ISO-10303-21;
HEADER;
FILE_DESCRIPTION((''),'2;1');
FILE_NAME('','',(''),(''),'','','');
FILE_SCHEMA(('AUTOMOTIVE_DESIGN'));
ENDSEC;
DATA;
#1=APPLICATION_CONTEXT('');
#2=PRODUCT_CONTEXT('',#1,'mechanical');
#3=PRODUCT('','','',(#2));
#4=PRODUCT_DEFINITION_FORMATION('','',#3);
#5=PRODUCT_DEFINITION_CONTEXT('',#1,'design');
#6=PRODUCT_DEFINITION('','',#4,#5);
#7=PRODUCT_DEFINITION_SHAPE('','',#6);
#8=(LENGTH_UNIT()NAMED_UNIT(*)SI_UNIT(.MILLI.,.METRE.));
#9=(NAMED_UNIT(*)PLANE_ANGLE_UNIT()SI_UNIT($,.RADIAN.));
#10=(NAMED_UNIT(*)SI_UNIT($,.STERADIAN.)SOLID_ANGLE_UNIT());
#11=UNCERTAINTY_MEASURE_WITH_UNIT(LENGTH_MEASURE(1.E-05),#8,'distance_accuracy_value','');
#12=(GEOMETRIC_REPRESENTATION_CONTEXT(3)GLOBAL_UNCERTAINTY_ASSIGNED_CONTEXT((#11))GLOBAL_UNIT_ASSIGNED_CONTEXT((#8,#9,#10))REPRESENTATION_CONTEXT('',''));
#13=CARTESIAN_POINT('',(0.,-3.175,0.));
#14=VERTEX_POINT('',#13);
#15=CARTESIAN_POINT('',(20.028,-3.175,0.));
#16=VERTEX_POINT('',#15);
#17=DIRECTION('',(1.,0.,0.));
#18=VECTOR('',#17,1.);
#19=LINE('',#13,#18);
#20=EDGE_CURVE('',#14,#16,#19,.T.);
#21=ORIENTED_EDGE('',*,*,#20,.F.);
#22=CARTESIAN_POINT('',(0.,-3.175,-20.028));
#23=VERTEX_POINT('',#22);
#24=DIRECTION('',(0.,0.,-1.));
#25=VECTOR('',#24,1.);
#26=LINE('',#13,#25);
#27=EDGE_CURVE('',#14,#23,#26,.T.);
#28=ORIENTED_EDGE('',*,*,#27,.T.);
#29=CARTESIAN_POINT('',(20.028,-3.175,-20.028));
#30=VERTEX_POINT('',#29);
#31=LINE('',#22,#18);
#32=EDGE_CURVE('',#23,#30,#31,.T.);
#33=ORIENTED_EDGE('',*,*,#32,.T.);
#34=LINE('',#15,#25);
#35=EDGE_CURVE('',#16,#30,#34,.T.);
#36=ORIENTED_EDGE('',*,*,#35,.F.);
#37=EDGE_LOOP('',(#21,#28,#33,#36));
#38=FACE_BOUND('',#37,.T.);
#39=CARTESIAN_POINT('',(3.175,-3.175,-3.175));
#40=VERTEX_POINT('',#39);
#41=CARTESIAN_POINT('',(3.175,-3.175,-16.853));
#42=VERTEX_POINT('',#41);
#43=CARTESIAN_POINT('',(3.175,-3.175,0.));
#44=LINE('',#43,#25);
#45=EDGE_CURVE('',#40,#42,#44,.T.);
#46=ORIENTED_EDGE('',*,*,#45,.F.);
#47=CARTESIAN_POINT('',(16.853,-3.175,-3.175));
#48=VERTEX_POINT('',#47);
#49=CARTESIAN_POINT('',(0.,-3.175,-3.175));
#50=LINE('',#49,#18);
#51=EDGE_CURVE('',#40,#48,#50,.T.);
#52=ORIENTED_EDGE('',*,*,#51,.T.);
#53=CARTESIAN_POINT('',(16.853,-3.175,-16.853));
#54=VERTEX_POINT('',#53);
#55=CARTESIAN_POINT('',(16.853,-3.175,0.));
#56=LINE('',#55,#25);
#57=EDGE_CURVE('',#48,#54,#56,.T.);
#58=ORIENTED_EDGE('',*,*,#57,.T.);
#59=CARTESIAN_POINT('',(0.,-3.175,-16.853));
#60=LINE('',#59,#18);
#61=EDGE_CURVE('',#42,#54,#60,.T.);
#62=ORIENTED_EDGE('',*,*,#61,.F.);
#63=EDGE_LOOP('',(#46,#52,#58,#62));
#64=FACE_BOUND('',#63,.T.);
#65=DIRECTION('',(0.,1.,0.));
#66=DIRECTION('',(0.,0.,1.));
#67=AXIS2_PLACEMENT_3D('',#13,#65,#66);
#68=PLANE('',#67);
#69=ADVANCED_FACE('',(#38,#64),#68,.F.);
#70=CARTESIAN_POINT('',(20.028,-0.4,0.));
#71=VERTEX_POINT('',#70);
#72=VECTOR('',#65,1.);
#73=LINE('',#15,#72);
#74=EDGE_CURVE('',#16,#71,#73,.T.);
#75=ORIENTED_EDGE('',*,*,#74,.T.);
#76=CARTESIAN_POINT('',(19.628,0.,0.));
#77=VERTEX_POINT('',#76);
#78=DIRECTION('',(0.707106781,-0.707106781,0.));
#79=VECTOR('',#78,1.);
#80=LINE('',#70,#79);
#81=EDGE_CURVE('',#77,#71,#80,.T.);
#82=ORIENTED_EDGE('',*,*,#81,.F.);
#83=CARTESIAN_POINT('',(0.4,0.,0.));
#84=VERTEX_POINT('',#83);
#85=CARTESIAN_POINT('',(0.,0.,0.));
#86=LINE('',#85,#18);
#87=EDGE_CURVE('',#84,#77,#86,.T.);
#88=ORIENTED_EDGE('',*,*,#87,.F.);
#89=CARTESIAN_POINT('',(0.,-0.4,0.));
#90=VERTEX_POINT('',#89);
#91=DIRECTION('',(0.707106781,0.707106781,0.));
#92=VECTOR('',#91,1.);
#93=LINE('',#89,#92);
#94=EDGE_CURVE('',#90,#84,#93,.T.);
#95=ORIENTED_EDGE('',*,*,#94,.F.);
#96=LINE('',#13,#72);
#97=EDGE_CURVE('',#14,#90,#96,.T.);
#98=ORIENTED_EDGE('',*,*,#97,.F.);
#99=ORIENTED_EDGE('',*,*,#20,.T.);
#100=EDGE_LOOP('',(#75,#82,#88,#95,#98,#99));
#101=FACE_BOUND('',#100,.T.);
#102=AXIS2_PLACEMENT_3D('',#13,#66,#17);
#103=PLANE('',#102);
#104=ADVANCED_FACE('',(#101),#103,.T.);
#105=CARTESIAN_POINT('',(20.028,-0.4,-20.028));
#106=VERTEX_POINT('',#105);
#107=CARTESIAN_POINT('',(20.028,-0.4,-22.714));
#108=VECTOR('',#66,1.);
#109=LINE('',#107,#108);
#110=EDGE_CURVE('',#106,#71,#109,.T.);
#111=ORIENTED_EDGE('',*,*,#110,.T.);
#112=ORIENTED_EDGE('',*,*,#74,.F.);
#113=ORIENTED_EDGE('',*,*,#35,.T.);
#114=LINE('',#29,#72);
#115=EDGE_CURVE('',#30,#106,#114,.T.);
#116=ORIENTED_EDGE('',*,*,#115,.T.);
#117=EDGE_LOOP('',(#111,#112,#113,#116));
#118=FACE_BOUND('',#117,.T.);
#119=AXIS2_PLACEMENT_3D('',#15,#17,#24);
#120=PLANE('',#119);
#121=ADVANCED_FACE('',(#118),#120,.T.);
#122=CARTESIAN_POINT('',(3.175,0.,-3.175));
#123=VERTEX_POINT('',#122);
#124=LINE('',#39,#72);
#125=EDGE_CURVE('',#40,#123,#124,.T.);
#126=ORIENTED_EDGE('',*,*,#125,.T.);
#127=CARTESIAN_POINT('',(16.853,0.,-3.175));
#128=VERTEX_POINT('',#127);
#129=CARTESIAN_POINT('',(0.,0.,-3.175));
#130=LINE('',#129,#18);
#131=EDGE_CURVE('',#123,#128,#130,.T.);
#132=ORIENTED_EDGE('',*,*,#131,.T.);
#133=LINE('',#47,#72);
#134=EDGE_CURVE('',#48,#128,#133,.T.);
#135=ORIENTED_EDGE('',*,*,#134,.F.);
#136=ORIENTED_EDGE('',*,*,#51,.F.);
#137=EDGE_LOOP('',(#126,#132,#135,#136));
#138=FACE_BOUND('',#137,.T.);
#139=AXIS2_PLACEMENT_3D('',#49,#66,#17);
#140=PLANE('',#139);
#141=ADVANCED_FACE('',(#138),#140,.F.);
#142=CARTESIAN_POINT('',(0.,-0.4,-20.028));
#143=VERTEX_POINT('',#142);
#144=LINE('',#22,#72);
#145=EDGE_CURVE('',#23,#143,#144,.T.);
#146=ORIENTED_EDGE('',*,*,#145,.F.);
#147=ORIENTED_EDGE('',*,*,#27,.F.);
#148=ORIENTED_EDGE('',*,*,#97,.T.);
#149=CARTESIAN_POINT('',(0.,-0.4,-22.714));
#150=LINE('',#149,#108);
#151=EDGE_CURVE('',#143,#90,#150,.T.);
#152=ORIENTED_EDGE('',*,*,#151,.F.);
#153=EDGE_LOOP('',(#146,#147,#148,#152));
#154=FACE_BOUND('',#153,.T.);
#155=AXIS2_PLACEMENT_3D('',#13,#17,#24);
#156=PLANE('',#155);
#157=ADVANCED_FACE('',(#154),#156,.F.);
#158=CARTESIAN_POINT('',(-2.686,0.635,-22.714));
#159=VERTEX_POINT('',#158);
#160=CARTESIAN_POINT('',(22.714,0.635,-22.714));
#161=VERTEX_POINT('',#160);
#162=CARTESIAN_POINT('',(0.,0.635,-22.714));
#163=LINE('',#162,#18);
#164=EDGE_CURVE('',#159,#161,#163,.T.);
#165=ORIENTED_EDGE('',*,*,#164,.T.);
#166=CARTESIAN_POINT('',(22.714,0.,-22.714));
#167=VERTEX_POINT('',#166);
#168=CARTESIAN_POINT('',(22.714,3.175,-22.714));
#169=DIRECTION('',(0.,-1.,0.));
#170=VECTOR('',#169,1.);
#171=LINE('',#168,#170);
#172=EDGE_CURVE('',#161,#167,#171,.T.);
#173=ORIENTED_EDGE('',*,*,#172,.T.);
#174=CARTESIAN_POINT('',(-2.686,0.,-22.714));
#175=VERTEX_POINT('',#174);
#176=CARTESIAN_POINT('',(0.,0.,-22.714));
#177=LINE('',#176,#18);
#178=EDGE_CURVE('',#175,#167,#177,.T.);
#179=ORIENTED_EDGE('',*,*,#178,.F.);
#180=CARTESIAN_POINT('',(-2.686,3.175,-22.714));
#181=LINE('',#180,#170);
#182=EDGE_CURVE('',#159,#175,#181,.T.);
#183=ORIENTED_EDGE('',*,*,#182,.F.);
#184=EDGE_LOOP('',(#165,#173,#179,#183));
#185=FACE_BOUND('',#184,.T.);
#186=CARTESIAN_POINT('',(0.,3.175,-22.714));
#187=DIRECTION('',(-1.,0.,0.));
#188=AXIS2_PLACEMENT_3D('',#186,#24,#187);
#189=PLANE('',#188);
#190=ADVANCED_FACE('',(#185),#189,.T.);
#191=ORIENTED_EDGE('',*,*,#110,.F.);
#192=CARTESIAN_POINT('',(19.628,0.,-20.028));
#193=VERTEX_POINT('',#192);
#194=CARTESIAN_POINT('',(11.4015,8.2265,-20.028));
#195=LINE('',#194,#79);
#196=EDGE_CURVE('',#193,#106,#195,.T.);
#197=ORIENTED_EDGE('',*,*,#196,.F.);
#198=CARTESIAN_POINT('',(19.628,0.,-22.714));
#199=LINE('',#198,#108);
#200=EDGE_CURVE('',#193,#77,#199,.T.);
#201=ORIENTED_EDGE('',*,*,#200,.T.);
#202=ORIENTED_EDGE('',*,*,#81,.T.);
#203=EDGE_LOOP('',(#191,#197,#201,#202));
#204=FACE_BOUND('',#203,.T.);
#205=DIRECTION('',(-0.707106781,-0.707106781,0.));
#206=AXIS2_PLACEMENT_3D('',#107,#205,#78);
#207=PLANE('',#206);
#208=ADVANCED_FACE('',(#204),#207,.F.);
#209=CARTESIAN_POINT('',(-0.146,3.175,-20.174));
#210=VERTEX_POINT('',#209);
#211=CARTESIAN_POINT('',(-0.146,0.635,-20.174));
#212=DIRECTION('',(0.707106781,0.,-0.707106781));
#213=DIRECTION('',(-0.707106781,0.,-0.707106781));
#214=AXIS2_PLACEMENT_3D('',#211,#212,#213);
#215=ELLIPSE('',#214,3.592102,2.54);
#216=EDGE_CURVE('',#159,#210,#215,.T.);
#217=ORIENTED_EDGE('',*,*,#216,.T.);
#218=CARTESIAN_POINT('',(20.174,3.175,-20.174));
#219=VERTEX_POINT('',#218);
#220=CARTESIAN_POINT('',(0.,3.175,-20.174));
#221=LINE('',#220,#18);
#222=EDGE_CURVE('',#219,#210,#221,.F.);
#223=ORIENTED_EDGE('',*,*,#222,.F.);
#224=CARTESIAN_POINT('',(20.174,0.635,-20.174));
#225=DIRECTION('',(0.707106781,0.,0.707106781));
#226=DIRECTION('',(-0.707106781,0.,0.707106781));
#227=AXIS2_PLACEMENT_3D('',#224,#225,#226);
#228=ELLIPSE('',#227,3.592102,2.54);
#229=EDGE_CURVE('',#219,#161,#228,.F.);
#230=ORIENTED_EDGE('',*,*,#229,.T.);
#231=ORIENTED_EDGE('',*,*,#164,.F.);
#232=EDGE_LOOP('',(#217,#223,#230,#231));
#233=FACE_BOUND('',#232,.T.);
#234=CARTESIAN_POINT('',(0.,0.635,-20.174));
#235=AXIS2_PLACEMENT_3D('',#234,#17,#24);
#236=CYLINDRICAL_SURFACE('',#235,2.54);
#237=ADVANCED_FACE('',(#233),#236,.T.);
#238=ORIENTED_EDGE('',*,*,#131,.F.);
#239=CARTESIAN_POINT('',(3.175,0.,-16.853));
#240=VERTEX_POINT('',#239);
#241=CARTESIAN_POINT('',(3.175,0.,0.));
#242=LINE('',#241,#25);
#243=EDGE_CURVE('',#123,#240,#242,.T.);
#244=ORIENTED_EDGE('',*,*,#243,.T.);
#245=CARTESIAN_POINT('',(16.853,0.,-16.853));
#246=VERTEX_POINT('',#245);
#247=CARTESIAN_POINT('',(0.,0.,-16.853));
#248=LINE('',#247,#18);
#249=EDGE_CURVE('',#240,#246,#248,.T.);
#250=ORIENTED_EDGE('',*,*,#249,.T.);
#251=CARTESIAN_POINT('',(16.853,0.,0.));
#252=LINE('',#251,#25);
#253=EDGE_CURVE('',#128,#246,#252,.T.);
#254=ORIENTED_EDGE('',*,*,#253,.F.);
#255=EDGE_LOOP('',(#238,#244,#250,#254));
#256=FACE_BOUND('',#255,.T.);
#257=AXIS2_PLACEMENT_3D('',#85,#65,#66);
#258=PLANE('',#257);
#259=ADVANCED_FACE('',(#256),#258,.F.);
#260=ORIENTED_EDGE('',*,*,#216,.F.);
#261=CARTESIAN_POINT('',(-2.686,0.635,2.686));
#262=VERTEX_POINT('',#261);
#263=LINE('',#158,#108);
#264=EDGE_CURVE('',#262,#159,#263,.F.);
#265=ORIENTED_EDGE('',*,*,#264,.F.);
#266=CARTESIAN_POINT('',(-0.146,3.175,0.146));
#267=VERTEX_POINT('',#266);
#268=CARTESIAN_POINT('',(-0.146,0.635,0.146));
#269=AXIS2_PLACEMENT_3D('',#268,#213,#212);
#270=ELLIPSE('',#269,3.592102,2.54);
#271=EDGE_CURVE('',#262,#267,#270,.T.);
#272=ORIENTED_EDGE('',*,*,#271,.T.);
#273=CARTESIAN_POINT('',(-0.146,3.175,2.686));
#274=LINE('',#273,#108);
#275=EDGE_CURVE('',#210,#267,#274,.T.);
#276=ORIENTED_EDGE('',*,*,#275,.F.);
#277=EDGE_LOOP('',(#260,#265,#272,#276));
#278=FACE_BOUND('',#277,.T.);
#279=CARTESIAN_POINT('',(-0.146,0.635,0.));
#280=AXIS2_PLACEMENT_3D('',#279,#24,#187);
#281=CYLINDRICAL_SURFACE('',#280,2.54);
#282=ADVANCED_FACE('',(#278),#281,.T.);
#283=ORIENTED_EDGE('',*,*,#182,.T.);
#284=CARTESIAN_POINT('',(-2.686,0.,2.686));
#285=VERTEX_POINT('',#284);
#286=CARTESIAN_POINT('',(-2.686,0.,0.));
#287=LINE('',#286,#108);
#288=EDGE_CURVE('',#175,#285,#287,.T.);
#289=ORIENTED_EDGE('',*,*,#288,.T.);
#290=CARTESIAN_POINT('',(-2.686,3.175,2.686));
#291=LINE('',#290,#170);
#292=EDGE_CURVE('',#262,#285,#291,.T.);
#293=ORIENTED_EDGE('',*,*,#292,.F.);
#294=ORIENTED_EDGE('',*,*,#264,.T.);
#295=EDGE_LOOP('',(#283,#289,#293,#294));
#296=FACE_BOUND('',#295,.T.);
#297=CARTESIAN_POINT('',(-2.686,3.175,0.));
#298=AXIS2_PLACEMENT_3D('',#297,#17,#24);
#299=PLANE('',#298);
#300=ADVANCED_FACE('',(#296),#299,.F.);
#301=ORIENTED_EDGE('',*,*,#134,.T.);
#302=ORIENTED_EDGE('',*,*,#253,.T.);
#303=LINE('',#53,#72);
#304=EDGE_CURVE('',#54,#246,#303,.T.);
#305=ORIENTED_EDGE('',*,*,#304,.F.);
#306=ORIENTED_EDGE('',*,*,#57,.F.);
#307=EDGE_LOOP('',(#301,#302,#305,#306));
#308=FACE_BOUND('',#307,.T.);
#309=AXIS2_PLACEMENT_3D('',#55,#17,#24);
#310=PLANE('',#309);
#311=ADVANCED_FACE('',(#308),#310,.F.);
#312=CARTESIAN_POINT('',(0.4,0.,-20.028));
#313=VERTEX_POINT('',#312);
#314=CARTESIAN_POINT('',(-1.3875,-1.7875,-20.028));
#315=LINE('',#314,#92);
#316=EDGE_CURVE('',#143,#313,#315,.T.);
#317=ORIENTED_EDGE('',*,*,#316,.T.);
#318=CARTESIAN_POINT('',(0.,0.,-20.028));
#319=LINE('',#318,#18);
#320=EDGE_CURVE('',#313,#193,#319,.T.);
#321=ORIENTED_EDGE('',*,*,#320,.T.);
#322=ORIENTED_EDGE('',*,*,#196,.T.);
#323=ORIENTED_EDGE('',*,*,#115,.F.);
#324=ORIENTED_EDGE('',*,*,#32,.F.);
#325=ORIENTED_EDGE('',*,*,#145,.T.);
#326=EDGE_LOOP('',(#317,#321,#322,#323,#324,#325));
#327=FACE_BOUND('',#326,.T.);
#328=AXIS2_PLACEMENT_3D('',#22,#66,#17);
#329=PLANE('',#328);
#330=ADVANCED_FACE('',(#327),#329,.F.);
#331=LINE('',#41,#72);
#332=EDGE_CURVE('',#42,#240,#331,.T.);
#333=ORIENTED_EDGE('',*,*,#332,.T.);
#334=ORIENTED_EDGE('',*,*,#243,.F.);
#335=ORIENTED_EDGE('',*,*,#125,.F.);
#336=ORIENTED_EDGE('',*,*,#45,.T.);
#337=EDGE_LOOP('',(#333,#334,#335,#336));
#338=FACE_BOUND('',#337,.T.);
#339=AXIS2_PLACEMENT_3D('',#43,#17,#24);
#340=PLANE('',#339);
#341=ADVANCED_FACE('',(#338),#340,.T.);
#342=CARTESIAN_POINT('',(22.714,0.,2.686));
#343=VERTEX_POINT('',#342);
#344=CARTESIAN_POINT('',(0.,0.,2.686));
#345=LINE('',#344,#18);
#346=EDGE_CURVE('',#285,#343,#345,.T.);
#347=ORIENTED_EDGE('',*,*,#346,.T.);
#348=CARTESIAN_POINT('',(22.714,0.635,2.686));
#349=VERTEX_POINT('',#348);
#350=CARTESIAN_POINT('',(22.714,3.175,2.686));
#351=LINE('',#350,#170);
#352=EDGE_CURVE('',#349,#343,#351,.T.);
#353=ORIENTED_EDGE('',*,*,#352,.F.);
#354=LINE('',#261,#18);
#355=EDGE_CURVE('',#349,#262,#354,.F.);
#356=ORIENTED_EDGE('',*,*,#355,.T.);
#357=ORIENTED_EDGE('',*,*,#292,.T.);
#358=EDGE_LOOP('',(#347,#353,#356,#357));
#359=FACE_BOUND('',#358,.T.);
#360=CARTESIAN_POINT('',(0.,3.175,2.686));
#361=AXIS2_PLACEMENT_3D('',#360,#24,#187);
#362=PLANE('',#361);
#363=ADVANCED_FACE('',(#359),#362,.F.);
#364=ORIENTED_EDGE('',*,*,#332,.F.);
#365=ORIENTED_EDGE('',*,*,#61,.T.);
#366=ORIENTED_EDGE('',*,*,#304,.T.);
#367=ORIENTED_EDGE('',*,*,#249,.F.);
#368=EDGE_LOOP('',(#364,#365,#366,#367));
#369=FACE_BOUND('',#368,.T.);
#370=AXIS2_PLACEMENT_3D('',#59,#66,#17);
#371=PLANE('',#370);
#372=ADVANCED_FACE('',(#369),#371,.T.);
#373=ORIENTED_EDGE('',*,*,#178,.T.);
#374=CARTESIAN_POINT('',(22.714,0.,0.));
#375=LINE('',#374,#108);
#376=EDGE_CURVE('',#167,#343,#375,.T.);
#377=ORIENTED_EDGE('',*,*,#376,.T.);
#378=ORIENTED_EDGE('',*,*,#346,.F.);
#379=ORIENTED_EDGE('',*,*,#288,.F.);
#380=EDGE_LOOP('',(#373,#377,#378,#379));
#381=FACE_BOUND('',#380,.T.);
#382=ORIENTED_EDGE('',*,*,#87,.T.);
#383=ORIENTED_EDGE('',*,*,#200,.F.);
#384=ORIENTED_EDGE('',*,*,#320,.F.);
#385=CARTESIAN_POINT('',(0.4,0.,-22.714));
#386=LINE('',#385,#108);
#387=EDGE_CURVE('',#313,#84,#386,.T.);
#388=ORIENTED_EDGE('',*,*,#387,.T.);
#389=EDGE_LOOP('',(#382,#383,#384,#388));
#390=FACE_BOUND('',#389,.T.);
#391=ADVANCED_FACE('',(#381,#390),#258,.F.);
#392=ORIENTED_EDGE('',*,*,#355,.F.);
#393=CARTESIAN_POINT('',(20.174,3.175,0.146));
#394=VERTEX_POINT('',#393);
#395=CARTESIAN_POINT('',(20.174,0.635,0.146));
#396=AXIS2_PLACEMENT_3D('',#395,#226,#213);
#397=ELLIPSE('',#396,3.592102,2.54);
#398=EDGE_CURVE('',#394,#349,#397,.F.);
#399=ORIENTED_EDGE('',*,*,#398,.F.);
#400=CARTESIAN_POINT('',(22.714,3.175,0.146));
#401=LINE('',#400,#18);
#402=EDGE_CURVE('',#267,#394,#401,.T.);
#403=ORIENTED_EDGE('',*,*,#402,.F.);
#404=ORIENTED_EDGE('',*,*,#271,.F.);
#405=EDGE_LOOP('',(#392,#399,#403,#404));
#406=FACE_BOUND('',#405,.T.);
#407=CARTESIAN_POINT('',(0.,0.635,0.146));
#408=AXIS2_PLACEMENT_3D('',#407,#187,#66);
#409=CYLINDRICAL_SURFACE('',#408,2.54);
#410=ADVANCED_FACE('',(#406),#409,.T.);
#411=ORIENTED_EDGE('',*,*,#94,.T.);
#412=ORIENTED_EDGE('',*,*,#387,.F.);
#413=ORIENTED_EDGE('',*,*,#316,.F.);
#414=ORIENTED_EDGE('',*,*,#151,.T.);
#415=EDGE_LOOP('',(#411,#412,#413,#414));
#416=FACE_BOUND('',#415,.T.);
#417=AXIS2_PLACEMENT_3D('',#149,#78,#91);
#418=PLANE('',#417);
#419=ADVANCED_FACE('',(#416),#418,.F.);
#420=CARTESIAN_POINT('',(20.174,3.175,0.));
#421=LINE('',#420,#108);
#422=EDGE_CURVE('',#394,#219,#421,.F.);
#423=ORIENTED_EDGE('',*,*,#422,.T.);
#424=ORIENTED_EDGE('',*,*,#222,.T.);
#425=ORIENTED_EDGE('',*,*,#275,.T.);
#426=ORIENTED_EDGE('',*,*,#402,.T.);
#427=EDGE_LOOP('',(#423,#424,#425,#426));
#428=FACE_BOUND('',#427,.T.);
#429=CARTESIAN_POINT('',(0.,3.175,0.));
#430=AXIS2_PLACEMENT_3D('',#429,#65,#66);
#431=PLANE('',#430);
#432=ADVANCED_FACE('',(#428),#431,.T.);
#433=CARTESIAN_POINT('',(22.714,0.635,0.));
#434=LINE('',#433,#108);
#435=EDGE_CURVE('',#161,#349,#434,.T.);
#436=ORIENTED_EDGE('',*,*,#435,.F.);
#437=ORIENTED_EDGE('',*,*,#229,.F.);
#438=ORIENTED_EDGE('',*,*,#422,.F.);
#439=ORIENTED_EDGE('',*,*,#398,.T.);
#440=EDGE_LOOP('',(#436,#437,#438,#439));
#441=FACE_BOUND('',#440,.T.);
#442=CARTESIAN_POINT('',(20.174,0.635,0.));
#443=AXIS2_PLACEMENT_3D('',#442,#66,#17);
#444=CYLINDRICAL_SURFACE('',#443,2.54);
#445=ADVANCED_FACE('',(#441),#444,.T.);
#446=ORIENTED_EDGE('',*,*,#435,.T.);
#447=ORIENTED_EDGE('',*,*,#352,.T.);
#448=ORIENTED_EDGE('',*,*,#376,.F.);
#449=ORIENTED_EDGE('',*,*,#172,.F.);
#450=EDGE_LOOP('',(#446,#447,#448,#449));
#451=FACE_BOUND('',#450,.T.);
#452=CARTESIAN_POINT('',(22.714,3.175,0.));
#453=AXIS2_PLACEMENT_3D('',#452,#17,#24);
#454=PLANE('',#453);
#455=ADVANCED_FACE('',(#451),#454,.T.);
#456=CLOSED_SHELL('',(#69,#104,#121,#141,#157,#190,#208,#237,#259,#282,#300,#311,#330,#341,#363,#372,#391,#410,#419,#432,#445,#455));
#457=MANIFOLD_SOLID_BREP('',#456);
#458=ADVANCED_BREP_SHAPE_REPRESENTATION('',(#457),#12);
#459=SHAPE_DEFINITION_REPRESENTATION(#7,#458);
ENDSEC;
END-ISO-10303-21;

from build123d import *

# Parameters (mm, degrees)
SKETCH2_W           = 20.028
SKETCH2_H           = 20.028
SKETCH2_W_2         = 13.678
SKETCH2_H_2         = 13.678
BOSS_EXTRUDE2_DEPTH = 3.175
SKETCH2_3_W         = 25.4
SKETCH2_3_H         = 25.4
BOSS_EXTRUDE3_DEPTH = 3.175
FILLET1_R           = 2.54
CUT_EXTRUDE1_DEPTH  = 33.278974844


with BuildPart() as part:
    # Sketch2 → Boss-Extrude2 (new body)
    with BuildSketch(Plane(origin=(0, 0, 0), x_dir=(1, 0, 0), z_dir=(0, 1, 0))):
        with Locations((10.014, 10.014)):
            Rectangle(SKETCH2_W, SKETCH2_H)
        with Locations((10.014, 10.014)):
            Rectangle(SKETCH2_W_2, SKETCH2_H_2, mode=Mode.SUBTRACT)
    extrude(amount=-BOSS_EXTRUDE2_DEPTH)

    # Sketch2<3> → Boss-Extrude3 (add)
    with BuildSketch(Plane(origin=(0, 0, 0), x_dir=(1, 0, 0), z_dir=(0, 1, 0))):
        with Locations((10.014, 10.014)):
            Rectangle(SKETCH2_3_W, SKETCH2_3_H)
    extrude(amount=BOSS_EXTRUDE3_DEPTH)

    # Fillet1
    fillet1_edges = [part.edges().sort_by_distance(p)[0] for p in [
        (10.014, 3.175, -22.714),
        (22.714, 3.175, -10.014),
        (10.014, 3.175, 2.686),
        (-2.686, 3.175, -10.014),
    ]]
    fillet(fillet1_edges, radius=FILLET1_R)

    # Sketch3 → Cut-Extrude1 (cut, through all)
    with BuildSketch(Plane.XY):
        Polygon((0, -0.4), (0.4, 0), (0, 0), align=None)
        Polygon((20.028, -0.4), (19.628, 0), (20.028, 0), align=None)
    extrude(amount=-CUT_EXTRUDE1_DEPTH, mode=Mode.SUBTRACT)


solid = part.part
